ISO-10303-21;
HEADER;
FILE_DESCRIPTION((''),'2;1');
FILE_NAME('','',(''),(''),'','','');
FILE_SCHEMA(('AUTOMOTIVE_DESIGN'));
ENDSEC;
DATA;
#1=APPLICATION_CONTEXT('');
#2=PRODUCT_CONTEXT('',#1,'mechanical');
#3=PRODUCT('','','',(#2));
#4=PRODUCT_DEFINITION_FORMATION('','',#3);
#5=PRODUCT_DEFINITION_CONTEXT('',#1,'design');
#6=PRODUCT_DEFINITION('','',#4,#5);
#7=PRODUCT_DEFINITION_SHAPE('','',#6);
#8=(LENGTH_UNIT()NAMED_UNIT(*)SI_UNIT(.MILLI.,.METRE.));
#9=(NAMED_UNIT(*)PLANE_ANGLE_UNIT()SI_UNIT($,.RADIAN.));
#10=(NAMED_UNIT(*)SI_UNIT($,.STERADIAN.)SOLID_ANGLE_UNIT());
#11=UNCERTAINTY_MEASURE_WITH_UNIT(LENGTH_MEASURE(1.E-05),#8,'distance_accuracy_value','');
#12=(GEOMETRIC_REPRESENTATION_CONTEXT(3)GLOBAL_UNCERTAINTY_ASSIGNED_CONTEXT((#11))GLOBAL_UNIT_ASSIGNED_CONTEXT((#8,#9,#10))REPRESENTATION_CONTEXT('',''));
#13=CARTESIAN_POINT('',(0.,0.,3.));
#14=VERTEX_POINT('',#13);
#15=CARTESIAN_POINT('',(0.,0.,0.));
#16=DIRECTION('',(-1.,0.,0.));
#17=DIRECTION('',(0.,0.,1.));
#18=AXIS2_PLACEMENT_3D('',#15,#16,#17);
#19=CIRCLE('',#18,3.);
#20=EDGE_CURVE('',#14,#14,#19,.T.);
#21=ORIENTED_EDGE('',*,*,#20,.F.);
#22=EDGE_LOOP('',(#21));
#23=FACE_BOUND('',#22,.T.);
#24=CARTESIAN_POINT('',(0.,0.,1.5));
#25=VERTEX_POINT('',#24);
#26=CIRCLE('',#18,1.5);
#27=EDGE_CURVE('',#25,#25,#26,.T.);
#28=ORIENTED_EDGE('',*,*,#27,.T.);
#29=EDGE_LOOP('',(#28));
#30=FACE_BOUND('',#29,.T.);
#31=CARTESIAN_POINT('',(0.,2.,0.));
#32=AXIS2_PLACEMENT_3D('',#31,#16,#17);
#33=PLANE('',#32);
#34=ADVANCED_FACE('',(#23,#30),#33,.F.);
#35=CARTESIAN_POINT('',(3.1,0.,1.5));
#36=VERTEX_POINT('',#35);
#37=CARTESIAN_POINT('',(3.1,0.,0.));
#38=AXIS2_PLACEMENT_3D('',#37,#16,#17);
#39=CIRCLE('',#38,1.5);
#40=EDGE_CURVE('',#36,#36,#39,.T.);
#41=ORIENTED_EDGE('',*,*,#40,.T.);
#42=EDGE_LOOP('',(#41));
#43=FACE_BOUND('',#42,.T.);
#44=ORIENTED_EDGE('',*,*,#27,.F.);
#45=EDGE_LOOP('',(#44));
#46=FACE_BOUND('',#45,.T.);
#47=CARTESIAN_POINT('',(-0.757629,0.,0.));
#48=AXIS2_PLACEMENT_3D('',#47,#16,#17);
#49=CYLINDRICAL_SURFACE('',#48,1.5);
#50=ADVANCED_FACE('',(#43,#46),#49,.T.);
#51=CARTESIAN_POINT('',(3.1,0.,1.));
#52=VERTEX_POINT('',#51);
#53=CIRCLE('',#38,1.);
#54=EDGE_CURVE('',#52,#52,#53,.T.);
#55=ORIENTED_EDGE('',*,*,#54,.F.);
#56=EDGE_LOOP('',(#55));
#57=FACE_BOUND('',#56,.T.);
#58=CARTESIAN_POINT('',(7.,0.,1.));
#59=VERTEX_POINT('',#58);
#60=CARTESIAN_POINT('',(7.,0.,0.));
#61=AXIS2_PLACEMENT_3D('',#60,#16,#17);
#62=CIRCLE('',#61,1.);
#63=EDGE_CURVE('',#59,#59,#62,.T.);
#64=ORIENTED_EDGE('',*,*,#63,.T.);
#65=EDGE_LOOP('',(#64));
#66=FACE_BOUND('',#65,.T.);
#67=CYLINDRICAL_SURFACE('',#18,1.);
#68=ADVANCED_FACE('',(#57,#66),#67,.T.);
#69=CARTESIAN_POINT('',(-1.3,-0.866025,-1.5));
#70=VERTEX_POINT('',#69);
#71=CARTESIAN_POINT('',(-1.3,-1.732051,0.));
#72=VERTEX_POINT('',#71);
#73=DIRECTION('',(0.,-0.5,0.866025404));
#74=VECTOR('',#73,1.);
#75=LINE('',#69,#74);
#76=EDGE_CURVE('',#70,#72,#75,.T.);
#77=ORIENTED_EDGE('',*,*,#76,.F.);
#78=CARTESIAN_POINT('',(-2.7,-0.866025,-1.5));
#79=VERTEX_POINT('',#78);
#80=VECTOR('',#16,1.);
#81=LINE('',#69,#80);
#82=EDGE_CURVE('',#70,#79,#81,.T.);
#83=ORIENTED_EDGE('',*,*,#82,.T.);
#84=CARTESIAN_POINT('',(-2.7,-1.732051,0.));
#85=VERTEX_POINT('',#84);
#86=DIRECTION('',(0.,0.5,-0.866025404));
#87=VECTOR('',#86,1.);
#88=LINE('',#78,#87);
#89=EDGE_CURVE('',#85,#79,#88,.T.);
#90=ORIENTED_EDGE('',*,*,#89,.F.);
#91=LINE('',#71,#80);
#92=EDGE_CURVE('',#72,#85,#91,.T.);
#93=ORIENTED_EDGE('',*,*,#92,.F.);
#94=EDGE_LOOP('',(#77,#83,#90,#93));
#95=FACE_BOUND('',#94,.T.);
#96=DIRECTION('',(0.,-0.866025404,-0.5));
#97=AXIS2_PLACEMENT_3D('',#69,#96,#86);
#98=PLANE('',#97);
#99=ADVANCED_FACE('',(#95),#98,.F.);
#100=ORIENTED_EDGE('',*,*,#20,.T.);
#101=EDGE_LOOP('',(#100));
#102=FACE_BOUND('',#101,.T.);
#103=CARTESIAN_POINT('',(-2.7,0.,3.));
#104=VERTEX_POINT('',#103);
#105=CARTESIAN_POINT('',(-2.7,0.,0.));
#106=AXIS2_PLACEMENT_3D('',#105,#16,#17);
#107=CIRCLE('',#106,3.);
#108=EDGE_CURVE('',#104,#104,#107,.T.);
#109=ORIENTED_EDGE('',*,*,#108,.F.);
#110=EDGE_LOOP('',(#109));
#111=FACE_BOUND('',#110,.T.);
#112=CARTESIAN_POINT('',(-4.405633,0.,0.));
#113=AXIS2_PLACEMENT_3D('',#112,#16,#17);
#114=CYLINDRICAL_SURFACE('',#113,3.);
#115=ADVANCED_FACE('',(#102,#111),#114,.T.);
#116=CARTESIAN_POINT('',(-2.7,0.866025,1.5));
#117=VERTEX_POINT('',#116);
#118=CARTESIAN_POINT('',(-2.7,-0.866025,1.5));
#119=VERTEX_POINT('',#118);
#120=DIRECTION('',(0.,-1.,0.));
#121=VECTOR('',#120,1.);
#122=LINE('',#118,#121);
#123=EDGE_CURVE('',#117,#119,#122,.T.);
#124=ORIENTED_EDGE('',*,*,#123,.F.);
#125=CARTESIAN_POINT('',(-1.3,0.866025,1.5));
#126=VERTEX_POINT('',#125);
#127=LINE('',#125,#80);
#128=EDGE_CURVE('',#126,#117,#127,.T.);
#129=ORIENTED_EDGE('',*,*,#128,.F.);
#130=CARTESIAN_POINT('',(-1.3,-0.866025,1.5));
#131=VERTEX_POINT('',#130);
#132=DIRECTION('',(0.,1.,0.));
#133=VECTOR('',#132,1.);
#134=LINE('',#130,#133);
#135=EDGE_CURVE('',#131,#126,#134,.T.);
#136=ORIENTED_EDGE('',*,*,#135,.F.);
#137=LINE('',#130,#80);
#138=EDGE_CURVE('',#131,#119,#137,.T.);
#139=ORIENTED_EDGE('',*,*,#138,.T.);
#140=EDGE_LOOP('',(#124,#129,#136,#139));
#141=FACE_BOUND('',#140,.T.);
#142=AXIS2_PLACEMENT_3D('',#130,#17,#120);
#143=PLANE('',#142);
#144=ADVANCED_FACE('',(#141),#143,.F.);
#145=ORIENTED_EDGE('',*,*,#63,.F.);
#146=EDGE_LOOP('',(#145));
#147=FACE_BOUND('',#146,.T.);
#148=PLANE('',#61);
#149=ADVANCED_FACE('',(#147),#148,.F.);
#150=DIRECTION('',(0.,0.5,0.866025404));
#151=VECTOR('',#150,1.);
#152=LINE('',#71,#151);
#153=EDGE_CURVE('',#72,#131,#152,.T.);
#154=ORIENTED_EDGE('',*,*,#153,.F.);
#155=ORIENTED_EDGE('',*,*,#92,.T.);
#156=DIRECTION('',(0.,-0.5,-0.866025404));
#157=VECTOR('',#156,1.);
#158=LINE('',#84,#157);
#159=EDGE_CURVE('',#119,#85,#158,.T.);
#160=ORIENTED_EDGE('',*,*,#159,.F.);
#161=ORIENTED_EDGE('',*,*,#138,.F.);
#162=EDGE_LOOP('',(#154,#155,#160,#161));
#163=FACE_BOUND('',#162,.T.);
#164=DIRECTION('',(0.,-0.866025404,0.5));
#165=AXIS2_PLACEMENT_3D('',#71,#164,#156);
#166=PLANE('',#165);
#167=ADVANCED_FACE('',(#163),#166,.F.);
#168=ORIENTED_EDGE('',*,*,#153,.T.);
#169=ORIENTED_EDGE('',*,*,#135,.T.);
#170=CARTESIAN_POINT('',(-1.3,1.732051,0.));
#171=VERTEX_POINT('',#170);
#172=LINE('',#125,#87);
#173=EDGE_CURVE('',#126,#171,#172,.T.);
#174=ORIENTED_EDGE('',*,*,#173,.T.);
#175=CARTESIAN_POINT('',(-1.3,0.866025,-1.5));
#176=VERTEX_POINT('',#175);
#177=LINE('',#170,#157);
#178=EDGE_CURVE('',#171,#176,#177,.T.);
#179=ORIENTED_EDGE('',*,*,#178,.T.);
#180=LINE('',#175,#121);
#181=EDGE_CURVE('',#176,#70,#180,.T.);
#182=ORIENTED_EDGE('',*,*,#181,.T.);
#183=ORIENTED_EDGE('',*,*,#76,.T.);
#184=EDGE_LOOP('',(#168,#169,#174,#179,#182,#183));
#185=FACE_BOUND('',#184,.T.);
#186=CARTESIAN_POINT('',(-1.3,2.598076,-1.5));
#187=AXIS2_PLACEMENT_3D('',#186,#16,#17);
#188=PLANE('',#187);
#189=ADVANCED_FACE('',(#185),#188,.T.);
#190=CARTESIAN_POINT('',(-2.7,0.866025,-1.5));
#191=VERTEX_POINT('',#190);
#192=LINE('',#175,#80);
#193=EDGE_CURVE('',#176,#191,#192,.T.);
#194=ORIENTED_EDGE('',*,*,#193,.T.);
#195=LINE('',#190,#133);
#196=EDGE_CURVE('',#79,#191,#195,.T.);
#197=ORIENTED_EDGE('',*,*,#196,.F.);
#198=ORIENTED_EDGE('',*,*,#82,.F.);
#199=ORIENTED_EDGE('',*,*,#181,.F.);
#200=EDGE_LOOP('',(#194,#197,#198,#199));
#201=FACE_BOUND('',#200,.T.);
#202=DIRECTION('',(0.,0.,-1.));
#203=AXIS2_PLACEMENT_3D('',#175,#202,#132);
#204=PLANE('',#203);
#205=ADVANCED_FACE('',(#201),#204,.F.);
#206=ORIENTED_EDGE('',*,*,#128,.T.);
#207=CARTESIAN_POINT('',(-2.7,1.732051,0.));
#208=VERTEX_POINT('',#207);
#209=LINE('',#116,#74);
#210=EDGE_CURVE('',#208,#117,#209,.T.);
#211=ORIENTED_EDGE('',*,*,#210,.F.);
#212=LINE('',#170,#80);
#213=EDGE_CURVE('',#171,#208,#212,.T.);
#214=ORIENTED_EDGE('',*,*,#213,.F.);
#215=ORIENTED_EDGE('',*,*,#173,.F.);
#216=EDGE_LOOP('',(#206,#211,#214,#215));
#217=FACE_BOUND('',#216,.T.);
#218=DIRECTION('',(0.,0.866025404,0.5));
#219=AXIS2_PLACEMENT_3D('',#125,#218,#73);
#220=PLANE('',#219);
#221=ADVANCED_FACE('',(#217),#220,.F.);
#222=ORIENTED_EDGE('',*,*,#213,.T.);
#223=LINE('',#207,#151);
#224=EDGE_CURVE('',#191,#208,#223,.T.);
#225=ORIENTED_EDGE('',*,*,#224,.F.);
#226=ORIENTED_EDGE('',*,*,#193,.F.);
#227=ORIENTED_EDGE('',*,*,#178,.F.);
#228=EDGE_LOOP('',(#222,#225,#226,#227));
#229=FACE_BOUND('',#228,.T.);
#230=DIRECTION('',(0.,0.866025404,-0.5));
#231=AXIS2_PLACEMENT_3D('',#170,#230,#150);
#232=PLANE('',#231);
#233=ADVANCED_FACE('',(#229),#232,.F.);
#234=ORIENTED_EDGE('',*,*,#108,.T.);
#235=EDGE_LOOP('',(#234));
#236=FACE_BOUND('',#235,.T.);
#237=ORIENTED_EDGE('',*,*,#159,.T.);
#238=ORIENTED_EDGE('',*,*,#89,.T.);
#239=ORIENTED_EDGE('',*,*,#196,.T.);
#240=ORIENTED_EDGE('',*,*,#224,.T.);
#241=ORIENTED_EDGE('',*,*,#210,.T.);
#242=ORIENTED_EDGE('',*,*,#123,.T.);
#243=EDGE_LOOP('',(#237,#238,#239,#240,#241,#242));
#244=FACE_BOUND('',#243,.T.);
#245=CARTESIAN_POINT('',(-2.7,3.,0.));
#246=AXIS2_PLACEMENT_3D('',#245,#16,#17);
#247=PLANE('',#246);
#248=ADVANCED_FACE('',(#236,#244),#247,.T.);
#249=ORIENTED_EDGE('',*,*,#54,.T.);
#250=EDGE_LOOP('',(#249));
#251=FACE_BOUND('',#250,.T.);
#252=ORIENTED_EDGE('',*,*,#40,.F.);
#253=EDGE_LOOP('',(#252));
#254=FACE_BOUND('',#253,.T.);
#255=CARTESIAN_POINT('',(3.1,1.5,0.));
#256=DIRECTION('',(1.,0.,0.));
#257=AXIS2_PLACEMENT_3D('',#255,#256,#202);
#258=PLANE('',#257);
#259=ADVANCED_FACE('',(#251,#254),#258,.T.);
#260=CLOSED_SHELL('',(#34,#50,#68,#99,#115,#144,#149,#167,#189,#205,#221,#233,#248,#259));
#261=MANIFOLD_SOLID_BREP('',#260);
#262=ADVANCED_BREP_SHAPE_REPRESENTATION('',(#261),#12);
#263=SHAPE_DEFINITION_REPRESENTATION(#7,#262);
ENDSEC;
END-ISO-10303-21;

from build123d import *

# Parameters (mm, degrees)
SCHNITT_LINEAR_AUSTRAGEN1_DEPTH = 2.7
SKIZZE3_W                       = 7
SKIZZE3_H                       = 2.1
SKIZZE4_W                       = 3.9
SKIZZE4_H                       = 0.5


with BuildPart() as part:
    # Skizze1 → Rotation1 (revolve)
    with BuildSketch(Plane.XY):
        Polygon((-4, 0), (7, 0), (7, 2), (0, 2), (0, 3.6), (-4, 3.6), align=None)
    revolve(axis=Axis((-29.304407472, 0, 0), (1, 0, 0)))

    # Skizze2 → Schnitt-Linear austragen1 (cut)
    with BuildSketch(Plane.ZY.offset(4)):
        Polygon((0, 1.732050808), (-1.5, 0.866025404), (-1.5, -0.866025404), (0, -1.732050808), (1.5, -0.866025404), (1.5, 0.866025404), align=None)
    extrude(amount=-SCHNITT_LINEAR_AUSTRAGEN1_DEPTH, mode=Mode.SUBTRACT)

    # Skizze3 → Schnitt-Rotation1 (revolve, cut)
    with BuildSketch(Plane.XY):
        with Locations((3.5, 2.55)):
            Rectangle(SKIZZE3_W, SKIZZE3_H)
    revolve(axis=Axis((-0.757628828, 0, 0), (1, 0, 0)), mode=Mode.SUBTRACT)

    # Skizze4 → Schnitt-Rotation2 (revolve, cut)
    with BuildSketch(Plane.XY):
        with Locations((5.05, 1.25)):
            Rectangle(SKIZZE4_W, SKIZZE4_H)
    revolve(axis=Axis((0, 0, 0), (1, 0, 0)), mode=Mode.SUBTRACT)

    # Skizze6 → Schnitt-Rotation3 (revolve, cut)
    with BuildSketch(Plane.XY):
        Polygon((-2.7, 3), (0, 3), (0, 3.6), (-4, 3.6), (-4, 0), (-2.7, 0), align=None)
    revolve(axis=Axis((-4.405632507, 0, 0), (1, 0, 0)), mode=Mode.SUBTRACT)


solid = part.part
